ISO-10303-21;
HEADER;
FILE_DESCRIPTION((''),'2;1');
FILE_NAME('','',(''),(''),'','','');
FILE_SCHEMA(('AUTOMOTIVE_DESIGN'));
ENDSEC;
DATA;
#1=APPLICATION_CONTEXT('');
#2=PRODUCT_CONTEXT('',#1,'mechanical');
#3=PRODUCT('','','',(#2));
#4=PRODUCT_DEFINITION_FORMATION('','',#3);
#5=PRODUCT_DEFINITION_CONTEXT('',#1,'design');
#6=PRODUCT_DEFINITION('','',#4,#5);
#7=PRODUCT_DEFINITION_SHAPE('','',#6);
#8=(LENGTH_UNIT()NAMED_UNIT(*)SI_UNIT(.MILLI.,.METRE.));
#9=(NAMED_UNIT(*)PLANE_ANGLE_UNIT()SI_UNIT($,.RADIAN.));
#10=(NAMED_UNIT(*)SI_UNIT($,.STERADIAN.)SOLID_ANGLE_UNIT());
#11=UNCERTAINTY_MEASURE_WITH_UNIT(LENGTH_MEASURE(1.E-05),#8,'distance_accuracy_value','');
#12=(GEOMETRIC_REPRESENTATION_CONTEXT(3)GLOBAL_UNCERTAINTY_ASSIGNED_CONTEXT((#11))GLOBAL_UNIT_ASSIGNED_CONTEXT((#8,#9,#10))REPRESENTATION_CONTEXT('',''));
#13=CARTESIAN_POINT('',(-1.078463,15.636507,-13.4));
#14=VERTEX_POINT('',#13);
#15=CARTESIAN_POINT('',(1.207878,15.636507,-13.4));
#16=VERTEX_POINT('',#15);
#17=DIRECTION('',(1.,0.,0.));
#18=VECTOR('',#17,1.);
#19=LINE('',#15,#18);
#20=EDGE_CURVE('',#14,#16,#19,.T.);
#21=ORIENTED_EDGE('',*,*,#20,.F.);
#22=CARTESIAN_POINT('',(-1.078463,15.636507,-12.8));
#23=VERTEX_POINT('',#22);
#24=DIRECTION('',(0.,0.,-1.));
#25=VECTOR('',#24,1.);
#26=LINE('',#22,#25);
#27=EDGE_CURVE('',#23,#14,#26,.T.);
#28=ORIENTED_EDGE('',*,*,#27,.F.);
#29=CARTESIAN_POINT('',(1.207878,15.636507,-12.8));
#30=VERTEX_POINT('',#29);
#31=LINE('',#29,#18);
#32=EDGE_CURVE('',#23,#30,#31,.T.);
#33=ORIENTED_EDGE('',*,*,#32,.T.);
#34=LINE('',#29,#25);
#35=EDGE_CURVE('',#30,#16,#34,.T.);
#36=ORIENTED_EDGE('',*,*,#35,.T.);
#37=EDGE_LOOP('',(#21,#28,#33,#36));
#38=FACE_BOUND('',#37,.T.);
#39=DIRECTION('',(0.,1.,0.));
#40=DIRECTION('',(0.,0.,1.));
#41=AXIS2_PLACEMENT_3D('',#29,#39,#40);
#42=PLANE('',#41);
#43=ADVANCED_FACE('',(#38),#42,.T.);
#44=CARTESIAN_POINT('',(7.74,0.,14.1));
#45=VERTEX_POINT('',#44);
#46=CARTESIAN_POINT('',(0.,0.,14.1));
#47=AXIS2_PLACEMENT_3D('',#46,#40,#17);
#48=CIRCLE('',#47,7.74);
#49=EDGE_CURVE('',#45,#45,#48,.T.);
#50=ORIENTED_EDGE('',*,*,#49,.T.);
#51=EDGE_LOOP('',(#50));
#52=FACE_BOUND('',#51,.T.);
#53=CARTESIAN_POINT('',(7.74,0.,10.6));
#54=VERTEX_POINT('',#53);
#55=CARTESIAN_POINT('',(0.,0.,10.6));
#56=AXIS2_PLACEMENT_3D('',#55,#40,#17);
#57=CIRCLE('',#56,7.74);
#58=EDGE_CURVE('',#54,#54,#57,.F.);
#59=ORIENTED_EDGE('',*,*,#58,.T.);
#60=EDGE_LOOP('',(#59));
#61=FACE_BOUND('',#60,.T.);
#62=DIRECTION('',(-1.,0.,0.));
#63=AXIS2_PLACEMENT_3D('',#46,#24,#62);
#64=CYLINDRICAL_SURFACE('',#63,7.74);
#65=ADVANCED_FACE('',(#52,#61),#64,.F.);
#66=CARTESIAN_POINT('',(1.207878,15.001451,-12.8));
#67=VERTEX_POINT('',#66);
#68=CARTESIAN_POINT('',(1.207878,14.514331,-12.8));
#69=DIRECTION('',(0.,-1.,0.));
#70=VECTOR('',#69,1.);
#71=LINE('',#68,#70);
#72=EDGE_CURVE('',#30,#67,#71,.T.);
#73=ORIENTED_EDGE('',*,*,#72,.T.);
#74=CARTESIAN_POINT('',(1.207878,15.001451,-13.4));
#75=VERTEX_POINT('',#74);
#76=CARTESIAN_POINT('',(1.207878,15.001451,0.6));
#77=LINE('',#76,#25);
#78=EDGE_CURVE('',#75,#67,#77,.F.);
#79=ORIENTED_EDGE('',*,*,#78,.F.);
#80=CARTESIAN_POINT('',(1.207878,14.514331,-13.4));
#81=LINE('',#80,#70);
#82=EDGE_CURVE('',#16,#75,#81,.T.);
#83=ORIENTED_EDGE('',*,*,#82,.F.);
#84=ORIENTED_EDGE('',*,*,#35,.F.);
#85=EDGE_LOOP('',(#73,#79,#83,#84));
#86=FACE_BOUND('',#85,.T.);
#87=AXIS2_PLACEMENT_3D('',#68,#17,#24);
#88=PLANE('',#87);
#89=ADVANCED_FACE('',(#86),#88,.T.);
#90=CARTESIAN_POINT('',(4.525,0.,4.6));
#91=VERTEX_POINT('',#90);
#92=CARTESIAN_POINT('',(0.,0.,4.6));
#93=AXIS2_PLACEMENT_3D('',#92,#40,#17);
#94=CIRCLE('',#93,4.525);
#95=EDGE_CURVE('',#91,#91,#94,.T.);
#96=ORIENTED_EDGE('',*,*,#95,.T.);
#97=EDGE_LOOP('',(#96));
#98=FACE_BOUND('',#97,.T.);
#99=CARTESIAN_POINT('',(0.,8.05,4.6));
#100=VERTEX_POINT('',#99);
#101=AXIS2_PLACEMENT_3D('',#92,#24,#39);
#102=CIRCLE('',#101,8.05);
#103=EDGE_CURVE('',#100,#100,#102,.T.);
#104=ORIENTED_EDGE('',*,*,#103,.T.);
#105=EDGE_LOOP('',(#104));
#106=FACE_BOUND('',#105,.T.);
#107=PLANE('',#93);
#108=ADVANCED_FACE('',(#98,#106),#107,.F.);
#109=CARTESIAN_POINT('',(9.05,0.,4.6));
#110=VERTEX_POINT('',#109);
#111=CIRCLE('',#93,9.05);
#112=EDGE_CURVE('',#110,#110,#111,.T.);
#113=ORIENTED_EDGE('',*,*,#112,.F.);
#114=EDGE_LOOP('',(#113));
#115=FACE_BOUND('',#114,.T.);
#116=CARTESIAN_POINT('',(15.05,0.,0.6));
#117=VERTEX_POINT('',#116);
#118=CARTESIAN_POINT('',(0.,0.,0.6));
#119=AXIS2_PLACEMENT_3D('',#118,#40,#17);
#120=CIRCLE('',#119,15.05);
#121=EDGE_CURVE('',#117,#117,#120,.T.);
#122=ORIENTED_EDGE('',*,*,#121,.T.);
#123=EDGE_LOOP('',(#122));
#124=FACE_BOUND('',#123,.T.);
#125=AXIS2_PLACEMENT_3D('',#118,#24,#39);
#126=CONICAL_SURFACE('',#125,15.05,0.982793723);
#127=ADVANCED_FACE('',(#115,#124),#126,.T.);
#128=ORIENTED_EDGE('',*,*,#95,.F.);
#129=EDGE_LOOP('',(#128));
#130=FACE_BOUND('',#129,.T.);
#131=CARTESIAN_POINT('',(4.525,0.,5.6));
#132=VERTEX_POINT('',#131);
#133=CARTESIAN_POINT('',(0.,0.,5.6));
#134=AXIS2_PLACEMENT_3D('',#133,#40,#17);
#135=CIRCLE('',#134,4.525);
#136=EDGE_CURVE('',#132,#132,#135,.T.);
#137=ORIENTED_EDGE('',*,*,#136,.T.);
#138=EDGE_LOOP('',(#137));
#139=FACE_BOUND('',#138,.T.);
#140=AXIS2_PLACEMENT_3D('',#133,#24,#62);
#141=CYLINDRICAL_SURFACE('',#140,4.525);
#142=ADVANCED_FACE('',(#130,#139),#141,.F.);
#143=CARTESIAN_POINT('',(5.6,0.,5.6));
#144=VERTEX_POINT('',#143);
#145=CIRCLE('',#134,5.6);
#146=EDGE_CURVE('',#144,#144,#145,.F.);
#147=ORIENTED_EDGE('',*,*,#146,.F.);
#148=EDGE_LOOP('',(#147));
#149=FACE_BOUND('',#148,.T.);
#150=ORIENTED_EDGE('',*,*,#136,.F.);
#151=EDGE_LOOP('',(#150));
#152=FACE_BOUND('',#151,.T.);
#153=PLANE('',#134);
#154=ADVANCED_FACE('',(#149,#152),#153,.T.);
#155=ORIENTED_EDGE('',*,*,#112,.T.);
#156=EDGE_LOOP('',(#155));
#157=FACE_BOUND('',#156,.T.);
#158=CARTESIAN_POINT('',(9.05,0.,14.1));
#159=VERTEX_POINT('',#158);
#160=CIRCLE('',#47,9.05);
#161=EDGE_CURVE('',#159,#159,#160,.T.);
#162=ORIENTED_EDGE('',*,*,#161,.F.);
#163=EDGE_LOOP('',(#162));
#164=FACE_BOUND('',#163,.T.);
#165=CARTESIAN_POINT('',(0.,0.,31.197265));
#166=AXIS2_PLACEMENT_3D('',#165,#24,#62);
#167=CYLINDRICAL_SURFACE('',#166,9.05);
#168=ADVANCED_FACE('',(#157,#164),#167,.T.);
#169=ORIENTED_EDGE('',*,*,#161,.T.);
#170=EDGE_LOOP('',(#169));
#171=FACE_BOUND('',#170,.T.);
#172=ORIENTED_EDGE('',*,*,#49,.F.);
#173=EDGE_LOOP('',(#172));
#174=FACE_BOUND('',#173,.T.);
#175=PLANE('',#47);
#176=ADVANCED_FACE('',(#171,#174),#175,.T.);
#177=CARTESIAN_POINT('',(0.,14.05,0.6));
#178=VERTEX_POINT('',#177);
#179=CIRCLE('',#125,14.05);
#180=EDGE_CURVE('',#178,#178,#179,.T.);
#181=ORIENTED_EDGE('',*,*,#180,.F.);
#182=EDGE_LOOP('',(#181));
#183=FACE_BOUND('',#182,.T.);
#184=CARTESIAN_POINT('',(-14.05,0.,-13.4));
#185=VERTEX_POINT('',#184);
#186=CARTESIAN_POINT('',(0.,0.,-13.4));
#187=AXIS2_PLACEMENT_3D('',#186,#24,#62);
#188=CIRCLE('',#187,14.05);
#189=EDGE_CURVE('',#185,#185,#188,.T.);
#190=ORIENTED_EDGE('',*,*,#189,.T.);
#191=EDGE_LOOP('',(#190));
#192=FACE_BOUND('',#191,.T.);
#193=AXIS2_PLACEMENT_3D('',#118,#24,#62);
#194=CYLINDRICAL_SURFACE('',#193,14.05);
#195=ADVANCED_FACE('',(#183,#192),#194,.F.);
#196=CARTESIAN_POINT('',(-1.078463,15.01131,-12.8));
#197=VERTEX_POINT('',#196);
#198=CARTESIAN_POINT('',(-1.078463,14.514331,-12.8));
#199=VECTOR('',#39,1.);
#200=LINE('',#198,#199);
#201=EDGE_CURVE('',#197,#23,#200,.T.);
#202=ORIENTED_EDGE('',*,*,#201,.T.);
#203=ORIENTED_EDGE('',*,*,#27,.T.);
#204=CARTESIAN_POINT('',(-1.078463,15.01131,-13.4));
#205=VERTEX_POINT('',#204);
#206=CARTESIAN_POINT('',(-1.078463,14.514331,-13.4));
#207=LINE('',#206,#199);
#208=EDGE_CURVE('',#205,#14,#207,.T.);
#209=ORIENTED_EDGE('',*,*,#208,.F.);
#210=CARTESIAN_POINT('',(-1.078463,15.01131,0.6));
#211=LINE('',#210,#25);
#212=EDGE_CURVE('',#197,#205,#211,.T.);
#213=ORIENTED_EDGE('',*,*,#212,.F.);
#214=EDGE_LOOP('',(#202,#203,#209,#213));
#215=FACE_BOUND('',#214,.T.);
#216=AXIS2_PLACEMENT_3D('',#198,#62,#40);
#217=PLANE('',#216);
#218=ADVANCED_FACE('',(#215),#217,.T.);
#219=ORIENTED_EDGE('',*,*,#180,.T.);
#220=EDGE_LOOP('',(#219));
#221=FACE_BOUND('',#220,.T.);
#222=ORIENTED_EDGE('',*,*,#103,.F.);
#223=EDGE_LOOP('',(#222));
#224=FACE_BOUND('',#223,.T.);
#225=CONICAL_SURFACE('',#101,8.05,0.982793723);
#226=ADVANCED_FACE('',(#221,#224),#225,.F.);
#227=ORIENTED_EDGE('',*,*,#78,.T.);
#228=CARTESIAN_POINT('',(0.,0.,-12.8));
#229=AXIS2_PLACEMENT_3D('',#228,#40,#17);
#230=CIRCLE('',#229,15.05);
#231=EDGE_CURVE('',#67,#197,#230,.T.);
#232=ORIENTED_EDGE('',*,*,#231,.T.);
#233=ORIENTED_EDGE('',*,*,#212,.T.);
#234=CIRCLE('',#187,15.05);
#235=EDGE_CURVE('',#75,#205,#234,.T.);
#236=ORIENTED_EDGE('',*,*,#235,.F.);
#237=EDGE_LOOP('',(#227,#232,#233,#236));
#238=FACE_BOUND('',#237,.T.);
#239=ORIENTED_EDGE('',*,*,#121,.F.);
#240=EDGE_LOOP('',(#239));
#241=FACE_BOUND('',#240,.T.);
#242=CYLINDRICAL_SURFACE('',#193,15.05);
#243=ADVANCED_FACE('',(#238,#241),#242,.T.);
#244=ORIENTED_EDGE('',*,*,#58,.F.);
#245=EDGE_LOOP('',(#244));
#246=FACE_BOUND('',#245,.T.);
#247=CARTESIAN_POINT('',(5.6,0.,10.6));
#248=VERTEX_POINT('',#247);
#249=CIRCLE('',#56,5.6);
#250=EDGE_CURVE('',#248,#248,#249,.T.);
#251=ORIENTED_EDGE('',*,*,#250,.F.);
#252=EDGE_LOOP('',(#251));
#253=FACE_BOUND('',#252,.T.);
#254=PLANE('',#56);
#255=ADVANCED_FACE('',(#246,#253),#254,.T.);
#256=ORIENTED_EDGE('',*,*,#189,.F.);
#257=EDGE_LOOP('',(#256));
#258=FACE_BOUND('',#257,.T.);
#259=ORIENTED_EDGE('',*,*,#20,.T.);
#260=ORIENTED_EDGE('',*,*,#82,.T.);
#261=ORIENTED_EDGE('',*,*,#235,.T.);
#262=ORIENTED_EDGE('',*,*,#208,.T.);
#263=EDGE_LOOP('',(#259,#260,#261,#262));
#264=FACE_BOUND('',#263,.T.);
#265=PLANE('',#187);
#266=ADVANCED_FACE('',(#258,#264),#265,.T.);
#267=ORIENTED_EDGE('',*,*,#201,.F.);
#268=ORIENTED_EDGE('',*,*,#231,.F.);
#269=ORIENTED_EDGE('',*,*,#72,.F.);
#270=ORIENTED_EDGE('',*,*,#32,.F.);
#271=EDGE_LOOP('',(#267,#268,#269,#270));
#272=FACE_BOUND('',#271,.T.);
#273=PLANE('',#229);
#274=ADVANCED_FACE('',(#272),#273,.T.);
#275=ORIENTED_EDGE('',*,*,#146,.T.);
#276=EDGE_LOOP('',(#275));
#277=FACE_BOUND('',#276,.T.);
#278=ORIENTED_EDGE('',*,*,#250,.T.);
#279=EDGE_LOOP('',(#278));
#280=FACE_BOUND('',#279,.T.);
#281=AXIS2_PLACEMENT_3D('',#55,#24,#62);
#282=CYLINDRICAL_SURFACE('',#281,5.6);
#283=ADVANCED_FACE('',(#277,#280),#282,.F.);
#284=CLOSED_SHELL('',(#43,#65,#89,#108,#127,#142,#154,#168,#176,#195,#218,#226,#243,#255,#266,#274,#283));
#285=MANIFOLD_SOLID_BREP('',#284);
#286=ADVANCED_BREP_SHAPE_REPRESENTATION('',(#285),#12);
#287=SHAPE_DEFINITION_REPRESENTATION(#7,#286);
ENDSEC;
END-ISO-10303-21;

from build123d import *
from build123d.topology import SkipClean

# Parameters (mm, degrees)
CROQUIS1_R               = 15.05
CROQUIS1_R_2             = 14.05
SALIENTE_EXTRUIR1_DEPTH  = 0.6
SALIENTE_EXTRUIR2_DEPTH  = 0.4
CROQUIS5_R               = 15.05
CROQUIS5_R_2             = 14.05
SALIENTE_EXTRUIR3_DEPTH  = 0.4
CROQUIS7_R               = 15.05
CROQUIS7_R_2             = 14.05
SALIENTE_EXTRUIR4_DEPTH  = 13
CROQUIS8_W               = 2.286340663
CROQUIS8_H               = 1.122176033
SALIENTE_EXTRUIR5_DEPTH  = 0.6
CROQUIS10_R              = 6.525
CROQUIS10_R_2            = 4.525
SALIENTE_EXTRUIR6_DEPTH  = 1
CROQUIS11_R              = 9.05
CROQUIS11_R_2            = 5.6
SALIENTE_EXTRUIR7_DEPTH  = 5
CROQUIS12_R              = 9.05
CROQUIS12_R_2            = 8.05
SALIENTE_EXTRUIR9_DEPTH  = 1
CROQUIS13_R              = 9.05
CROQUIS13_R_2            = 7.74
SALIENTE_EXTRUIR10_DEPTH = 3.5
CROQUIS14_R              = 8.05
CROQUIS14_R_2            = 6.525
SALIENTE_EXTRUIR11_DEPTH = 1


with BuildPart() as part:
    # Croquis1 → Saliente-Extruir1 (new body)
    with BuildSketch(Plane.XY):
        Circle(CROQUIS1_R)
        Circle(CROQUIS1_R_2, mode=Mode.SUBTRACT)
    extrude(amount=SALIENTE_EXTRUIR1_DEPTH)

    # Croquis2 → Saliente-Extruir2 (add)
    with SkipClean():  # the faces are left unmerged after this step: merging them gives an invalid solid
        with BuildSketch(Plane(origin=(0, 0, 0), x_dir=(-1, 0, 0), z_dir=(0, 0, -1))):
            with BuildLine():
                Line((-2.404789938, 14.856631023), (-2.404789938, 13.842669011))
                ThreePointArc((-2.404789938, 13.842669011), (0, 14.05), (2.404789938, 13.842669011))
                Line((2.404789938, 13.842669011), (2.404789938, 14.856631023))
                ThreePointArc((2.404789938, 14.856631023), (0, 15.05), (-2.404789938, 14.856631023))
            make_face()
            with BuildLine():
                Line((14.856631023, 2.404789938), (13.842669011, 2.404789938))
                ThreePointArc((13.842669011, 2.404789938), (14.05, 0), (13.842669011, -2.404789938))
                Line((13.842669011, -2.404789938), (14.856631023, -2.404789938))
                ThreePointArc((14.856631023, -2.404789938), (15.05, 0), (14.856631023, 2.404789938))
            make_face()
            with BuildLine():
                Line((2.404789938, -14.856631023), (2.404789938, -13.842669011))
                ThreePointArc((2.404789938, -13.842669011), (0, -14.05), (-2.404789938, -13.842669011))
                Line((-2.404789938, -13.842669011), (-2.404789938, -14.856631023))
                ThreePointArc((-2.404789938, -14.856631023), (0, -15.05), (2.404789938, -14.856631023))
            make_face()
            with BuildLine():
                Line((-14.856631023, -2.404789938), (-13.842669011, -2.404789938))
                ThreePointArc((-13.842669011, -2.404789938), (-14.05, 0), (-13.842669011, 2.404789938))
                Line((-13.842669011, 2.404789938), (-14.856631023, 2.404789938))
                ThreePointArc((-14.856631023, 2.404789938), (-15.05, 0), (-14.856631023, -2.404789938))
            make_face()
        extrude(amount=SALIENTE_EXTRUIR2_DEPTH)

    # Croquis4 → Revolución1 (revolve)
    with SkipClean():  # the faces are left unmerged after this step: merging them gives an invalid solid
        with BuildSketch(Plane(origin=(0, 0, 0), x_dir=(0, 0, -1), z_dir=(1, 0, 0)), mode=Mode.PRIVATE) as revoluci_n1_sk:
            Polygon((-0.6, 15.05), (-4.6, 9.05), (-4.6, 8.05), (-0.6, 14.05), align=None)
        revolve(revoluci_n1_sk.sketch.rotate(Axis((0, 0, 0), (0, 0, 1)), 80.14476262), axis=Axis((0, 0, 0), (0, 0, 1)))

    # Croquis5 → Saliente-Extruir3 (add)
    with SkipClean():  # the faces are left unmerged after this step: merging them gives an invalid solid
        with BuildSketch(Plane(origin=(0, 0, 0), x_dir=(-1, 0, 0), z_dir=(0, 0, -1))):
            Circle(CROQUIS5_R)
            Circle(CROQUIS5_R_2, mode=Mode.SUBTRACT)
        extrude(amount=SALIENTE_EXTRUIR3_DEPTH)

    # Croquis7 → Saliente-Extruir4 (add)
    with SkipClean():  # the faces are left unmerged after this step: merging them gives an invalid solid
        with BuildSketch(Plane(origin=(0, 0, -0.4), x_dir=(-1, 0, 0), z_dir=(0, 0, -1))):
            Circle(CROQUIS7_R)
            Circle(CROQUIS7_R_2, mode=Mode.SUBTRACT)
        extrude(amount=SALIENTE_EXTRUIR4_DEPTH)

    # Croquis8 → Saliente-Extruir5 (add)
    with SkipClean():  # the faces are left unmerged after this step: merging them gives an invalid solid
        with BuildSketch(Plane(origin=(0, 0, -13.4), x_dir=(-1, 0, 0), z_dir=(0, 0, -1))):
            with Locations((-0.064707754, 15.075419169)):
                Rectangle(CROQUIS8_W, CROQUIS8_H)
        extrude(amount=-SALIENTE_EXTRUIR5_DEPTH)



with BuildPart() as body_2:
    # Croquis10 → Saliente-Extruir6 (new body)
    with BuildSketch(Plane.XY.offset(4.6)):
        Circle(CROQUIS10_R)
        Circle(CROQUIS10_R_2, mode=Mode.SUBTRACT)
    extrude(amount=SALIENTE_EXTRUIR6_DEPTH)

    # Croquis11 → Saliente-Extruir7 (add)
    with BuildSketch(Plane.XY.offset(5.6)):
        Circle(CROQUIS11_R)
        Circle(CROQUIS11_R_2, mode=Mode.SUBTRACT)
    extrude(amount=SALIENTE_EXTRUIR7_DEPTH)


with BuildPart() as part_1:
    with SkipClean():  # the faces are left unmerged after this step: merging them gives an invalid solid
        add(part.part)

        add(body_2.part)  # Saliente-Extruir9 merges body 2
        # Croquis12 → Saliente-Extruir9 (add)
        with BuildSketch(Plane.XY.offset(4.6)):
            Circle(CROQUIS12_R)
            with Locations(Location((0, 0, 0), (0, 0, 90))):
                Circle(CROQUIS12_R_2, mode=Mode.SUBTRACT)
        extrude(amount=SALIENTE_EXTRUIR9_DEPTH)

    # Croquis13 → Saliente-Extruir10 (add)
    with SkipClean():  # the faces are left unmerged after this step: merging them gives an invalid solid
        with BuildSketch(Plane.XY.offset(10.6)):
            Circle(CROQUIS13_R)
            Circle(CROQUIS13_R_2, mode=Mode.SUBTRACT)
        extrude(amount=SALIENTE_EXTRUIR10_DEPTH)

    # Croquis14 → Saliente-Extruir11 (add)
    with SkipClean():  # the faces are left unmerged after this step: merging them gives an invalid solid
        with BuildSketch(Plane(origin=(0, 0, 4.6), x_dir=(-1, 0, 0), z_dir=(0, 0, -1))):
            Circle(CROQUIS14_R)
            Circle(CROQUIS14_R_2, mode=Mode.SUBTRACT)
        extrude(amount=-SALIENTE_EXTRUIR11_DEPTH)


solid = part_1.part
